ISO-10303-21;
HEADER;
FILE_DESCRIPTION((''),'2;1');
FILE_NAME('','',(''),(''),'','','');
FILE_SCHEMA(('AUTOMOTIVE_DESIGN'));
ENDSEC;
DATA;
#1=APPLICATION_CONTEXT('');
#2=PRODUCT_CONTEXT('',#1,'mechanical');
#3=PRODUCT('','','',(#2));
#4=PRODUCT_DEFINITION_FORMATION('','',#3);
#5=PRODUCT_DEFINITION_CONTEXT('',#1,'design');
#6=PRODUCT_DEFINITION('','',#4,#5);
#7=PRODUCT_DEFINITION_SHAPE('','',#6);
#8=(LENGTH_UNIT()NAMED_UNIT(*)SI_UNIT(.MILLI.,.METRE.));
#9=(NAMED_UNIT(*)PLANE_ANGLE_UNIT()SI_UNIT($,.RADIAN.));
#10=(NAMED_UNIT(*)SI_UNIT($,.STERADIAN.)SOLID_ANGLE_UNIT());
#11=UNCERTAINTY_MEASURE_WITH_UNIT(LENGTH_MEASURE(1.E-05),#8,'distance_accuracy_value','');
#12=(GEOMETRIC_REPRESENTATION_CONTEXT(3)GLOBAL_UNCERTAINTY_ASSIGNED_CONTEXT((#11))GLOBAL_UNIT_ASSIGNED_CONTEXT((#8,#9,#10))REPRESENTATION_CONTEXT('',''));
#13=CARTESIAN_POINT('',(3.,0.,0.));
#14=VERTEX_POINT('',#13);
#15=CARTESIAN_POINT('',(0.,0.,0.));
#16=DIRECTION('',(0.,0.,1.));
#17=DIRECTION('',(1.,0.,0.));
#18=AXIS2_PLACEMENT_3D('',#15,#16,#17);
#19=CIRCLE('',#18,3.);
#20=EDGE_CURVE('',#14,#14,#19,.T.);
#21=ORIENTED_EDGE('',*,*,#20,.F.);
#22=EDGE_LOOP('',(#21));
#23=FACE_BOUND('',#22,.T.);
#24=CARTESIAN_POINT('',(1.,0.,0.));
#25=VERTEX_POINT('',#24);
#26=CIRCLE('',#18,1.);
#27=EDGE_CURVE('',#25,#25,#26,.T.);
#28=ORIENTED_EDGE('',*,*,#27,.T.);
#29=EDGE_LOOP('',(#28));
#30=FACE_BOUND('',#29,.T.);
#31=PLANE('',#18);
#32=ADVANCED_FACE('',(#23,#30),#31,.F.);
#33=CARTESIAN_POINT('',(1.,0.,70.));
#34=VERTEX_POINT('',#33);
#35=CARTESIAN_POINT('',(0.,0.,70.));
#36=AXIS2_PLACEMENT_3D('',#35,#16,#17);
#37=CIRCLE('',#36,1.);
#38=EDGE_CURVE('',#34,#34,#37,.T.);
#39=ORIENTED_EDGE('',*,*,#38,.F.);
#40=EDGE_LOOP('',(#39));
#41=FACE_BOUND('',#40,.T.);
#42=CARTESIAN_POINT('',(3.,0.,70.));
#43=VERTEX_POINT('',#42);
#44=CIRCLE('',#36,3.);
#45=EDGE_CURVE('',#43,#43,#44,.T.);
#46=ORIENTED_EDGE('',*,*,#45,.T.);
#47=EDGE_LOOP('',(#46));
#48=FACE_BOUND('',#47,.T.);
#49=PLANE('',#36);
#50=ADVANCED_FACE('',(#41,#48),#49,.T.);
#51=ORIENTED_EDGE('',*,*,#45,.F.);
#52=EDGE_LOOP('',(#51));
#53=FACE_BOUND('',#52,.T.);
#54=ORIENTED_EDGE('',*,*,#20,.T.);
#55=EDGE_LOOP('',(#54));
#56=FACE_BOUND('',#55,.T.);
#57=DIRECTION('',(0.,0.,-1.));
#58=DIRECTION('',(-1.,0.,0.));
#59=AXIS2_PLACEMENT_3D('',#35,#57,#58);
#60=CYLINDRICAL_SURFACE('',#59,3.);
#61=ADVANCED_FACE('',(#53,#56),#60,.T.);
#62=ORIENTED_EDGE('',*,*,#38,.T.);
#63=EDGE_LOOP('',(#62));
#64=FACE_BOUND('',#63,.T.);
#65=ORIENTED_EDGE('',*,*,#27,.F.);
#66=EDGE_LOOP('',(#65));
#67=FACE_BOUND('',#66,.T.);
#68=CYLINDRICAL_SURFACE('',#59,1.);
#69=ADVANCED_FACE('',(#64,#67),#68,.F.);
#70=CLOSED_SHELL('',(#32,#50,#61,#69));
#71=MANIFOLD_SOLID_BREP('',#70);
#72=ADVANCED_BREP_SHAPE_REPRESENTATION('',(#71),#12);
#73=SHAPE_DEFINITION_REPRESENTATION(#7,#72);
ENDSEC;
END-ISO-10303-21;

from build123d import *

# Parameters (mm, degrees)
SKETCH1_R           = 3
SKETCH1_R_2         = 1
EXTRUDE_THIN1_DEPTH = 70


with BuildPart() as part:
    # Sketch1 → Extrude-Thin1 (new body)
    with BuildSketch(Plane.XY):
        Circle(SKETCH1_R)
        Circle(SKETCH1_R_2, mode=Mode.SUBTRACT)
    extrude(amount=EXTRUDE_THIN1_DEPTH)


solid = part.part
